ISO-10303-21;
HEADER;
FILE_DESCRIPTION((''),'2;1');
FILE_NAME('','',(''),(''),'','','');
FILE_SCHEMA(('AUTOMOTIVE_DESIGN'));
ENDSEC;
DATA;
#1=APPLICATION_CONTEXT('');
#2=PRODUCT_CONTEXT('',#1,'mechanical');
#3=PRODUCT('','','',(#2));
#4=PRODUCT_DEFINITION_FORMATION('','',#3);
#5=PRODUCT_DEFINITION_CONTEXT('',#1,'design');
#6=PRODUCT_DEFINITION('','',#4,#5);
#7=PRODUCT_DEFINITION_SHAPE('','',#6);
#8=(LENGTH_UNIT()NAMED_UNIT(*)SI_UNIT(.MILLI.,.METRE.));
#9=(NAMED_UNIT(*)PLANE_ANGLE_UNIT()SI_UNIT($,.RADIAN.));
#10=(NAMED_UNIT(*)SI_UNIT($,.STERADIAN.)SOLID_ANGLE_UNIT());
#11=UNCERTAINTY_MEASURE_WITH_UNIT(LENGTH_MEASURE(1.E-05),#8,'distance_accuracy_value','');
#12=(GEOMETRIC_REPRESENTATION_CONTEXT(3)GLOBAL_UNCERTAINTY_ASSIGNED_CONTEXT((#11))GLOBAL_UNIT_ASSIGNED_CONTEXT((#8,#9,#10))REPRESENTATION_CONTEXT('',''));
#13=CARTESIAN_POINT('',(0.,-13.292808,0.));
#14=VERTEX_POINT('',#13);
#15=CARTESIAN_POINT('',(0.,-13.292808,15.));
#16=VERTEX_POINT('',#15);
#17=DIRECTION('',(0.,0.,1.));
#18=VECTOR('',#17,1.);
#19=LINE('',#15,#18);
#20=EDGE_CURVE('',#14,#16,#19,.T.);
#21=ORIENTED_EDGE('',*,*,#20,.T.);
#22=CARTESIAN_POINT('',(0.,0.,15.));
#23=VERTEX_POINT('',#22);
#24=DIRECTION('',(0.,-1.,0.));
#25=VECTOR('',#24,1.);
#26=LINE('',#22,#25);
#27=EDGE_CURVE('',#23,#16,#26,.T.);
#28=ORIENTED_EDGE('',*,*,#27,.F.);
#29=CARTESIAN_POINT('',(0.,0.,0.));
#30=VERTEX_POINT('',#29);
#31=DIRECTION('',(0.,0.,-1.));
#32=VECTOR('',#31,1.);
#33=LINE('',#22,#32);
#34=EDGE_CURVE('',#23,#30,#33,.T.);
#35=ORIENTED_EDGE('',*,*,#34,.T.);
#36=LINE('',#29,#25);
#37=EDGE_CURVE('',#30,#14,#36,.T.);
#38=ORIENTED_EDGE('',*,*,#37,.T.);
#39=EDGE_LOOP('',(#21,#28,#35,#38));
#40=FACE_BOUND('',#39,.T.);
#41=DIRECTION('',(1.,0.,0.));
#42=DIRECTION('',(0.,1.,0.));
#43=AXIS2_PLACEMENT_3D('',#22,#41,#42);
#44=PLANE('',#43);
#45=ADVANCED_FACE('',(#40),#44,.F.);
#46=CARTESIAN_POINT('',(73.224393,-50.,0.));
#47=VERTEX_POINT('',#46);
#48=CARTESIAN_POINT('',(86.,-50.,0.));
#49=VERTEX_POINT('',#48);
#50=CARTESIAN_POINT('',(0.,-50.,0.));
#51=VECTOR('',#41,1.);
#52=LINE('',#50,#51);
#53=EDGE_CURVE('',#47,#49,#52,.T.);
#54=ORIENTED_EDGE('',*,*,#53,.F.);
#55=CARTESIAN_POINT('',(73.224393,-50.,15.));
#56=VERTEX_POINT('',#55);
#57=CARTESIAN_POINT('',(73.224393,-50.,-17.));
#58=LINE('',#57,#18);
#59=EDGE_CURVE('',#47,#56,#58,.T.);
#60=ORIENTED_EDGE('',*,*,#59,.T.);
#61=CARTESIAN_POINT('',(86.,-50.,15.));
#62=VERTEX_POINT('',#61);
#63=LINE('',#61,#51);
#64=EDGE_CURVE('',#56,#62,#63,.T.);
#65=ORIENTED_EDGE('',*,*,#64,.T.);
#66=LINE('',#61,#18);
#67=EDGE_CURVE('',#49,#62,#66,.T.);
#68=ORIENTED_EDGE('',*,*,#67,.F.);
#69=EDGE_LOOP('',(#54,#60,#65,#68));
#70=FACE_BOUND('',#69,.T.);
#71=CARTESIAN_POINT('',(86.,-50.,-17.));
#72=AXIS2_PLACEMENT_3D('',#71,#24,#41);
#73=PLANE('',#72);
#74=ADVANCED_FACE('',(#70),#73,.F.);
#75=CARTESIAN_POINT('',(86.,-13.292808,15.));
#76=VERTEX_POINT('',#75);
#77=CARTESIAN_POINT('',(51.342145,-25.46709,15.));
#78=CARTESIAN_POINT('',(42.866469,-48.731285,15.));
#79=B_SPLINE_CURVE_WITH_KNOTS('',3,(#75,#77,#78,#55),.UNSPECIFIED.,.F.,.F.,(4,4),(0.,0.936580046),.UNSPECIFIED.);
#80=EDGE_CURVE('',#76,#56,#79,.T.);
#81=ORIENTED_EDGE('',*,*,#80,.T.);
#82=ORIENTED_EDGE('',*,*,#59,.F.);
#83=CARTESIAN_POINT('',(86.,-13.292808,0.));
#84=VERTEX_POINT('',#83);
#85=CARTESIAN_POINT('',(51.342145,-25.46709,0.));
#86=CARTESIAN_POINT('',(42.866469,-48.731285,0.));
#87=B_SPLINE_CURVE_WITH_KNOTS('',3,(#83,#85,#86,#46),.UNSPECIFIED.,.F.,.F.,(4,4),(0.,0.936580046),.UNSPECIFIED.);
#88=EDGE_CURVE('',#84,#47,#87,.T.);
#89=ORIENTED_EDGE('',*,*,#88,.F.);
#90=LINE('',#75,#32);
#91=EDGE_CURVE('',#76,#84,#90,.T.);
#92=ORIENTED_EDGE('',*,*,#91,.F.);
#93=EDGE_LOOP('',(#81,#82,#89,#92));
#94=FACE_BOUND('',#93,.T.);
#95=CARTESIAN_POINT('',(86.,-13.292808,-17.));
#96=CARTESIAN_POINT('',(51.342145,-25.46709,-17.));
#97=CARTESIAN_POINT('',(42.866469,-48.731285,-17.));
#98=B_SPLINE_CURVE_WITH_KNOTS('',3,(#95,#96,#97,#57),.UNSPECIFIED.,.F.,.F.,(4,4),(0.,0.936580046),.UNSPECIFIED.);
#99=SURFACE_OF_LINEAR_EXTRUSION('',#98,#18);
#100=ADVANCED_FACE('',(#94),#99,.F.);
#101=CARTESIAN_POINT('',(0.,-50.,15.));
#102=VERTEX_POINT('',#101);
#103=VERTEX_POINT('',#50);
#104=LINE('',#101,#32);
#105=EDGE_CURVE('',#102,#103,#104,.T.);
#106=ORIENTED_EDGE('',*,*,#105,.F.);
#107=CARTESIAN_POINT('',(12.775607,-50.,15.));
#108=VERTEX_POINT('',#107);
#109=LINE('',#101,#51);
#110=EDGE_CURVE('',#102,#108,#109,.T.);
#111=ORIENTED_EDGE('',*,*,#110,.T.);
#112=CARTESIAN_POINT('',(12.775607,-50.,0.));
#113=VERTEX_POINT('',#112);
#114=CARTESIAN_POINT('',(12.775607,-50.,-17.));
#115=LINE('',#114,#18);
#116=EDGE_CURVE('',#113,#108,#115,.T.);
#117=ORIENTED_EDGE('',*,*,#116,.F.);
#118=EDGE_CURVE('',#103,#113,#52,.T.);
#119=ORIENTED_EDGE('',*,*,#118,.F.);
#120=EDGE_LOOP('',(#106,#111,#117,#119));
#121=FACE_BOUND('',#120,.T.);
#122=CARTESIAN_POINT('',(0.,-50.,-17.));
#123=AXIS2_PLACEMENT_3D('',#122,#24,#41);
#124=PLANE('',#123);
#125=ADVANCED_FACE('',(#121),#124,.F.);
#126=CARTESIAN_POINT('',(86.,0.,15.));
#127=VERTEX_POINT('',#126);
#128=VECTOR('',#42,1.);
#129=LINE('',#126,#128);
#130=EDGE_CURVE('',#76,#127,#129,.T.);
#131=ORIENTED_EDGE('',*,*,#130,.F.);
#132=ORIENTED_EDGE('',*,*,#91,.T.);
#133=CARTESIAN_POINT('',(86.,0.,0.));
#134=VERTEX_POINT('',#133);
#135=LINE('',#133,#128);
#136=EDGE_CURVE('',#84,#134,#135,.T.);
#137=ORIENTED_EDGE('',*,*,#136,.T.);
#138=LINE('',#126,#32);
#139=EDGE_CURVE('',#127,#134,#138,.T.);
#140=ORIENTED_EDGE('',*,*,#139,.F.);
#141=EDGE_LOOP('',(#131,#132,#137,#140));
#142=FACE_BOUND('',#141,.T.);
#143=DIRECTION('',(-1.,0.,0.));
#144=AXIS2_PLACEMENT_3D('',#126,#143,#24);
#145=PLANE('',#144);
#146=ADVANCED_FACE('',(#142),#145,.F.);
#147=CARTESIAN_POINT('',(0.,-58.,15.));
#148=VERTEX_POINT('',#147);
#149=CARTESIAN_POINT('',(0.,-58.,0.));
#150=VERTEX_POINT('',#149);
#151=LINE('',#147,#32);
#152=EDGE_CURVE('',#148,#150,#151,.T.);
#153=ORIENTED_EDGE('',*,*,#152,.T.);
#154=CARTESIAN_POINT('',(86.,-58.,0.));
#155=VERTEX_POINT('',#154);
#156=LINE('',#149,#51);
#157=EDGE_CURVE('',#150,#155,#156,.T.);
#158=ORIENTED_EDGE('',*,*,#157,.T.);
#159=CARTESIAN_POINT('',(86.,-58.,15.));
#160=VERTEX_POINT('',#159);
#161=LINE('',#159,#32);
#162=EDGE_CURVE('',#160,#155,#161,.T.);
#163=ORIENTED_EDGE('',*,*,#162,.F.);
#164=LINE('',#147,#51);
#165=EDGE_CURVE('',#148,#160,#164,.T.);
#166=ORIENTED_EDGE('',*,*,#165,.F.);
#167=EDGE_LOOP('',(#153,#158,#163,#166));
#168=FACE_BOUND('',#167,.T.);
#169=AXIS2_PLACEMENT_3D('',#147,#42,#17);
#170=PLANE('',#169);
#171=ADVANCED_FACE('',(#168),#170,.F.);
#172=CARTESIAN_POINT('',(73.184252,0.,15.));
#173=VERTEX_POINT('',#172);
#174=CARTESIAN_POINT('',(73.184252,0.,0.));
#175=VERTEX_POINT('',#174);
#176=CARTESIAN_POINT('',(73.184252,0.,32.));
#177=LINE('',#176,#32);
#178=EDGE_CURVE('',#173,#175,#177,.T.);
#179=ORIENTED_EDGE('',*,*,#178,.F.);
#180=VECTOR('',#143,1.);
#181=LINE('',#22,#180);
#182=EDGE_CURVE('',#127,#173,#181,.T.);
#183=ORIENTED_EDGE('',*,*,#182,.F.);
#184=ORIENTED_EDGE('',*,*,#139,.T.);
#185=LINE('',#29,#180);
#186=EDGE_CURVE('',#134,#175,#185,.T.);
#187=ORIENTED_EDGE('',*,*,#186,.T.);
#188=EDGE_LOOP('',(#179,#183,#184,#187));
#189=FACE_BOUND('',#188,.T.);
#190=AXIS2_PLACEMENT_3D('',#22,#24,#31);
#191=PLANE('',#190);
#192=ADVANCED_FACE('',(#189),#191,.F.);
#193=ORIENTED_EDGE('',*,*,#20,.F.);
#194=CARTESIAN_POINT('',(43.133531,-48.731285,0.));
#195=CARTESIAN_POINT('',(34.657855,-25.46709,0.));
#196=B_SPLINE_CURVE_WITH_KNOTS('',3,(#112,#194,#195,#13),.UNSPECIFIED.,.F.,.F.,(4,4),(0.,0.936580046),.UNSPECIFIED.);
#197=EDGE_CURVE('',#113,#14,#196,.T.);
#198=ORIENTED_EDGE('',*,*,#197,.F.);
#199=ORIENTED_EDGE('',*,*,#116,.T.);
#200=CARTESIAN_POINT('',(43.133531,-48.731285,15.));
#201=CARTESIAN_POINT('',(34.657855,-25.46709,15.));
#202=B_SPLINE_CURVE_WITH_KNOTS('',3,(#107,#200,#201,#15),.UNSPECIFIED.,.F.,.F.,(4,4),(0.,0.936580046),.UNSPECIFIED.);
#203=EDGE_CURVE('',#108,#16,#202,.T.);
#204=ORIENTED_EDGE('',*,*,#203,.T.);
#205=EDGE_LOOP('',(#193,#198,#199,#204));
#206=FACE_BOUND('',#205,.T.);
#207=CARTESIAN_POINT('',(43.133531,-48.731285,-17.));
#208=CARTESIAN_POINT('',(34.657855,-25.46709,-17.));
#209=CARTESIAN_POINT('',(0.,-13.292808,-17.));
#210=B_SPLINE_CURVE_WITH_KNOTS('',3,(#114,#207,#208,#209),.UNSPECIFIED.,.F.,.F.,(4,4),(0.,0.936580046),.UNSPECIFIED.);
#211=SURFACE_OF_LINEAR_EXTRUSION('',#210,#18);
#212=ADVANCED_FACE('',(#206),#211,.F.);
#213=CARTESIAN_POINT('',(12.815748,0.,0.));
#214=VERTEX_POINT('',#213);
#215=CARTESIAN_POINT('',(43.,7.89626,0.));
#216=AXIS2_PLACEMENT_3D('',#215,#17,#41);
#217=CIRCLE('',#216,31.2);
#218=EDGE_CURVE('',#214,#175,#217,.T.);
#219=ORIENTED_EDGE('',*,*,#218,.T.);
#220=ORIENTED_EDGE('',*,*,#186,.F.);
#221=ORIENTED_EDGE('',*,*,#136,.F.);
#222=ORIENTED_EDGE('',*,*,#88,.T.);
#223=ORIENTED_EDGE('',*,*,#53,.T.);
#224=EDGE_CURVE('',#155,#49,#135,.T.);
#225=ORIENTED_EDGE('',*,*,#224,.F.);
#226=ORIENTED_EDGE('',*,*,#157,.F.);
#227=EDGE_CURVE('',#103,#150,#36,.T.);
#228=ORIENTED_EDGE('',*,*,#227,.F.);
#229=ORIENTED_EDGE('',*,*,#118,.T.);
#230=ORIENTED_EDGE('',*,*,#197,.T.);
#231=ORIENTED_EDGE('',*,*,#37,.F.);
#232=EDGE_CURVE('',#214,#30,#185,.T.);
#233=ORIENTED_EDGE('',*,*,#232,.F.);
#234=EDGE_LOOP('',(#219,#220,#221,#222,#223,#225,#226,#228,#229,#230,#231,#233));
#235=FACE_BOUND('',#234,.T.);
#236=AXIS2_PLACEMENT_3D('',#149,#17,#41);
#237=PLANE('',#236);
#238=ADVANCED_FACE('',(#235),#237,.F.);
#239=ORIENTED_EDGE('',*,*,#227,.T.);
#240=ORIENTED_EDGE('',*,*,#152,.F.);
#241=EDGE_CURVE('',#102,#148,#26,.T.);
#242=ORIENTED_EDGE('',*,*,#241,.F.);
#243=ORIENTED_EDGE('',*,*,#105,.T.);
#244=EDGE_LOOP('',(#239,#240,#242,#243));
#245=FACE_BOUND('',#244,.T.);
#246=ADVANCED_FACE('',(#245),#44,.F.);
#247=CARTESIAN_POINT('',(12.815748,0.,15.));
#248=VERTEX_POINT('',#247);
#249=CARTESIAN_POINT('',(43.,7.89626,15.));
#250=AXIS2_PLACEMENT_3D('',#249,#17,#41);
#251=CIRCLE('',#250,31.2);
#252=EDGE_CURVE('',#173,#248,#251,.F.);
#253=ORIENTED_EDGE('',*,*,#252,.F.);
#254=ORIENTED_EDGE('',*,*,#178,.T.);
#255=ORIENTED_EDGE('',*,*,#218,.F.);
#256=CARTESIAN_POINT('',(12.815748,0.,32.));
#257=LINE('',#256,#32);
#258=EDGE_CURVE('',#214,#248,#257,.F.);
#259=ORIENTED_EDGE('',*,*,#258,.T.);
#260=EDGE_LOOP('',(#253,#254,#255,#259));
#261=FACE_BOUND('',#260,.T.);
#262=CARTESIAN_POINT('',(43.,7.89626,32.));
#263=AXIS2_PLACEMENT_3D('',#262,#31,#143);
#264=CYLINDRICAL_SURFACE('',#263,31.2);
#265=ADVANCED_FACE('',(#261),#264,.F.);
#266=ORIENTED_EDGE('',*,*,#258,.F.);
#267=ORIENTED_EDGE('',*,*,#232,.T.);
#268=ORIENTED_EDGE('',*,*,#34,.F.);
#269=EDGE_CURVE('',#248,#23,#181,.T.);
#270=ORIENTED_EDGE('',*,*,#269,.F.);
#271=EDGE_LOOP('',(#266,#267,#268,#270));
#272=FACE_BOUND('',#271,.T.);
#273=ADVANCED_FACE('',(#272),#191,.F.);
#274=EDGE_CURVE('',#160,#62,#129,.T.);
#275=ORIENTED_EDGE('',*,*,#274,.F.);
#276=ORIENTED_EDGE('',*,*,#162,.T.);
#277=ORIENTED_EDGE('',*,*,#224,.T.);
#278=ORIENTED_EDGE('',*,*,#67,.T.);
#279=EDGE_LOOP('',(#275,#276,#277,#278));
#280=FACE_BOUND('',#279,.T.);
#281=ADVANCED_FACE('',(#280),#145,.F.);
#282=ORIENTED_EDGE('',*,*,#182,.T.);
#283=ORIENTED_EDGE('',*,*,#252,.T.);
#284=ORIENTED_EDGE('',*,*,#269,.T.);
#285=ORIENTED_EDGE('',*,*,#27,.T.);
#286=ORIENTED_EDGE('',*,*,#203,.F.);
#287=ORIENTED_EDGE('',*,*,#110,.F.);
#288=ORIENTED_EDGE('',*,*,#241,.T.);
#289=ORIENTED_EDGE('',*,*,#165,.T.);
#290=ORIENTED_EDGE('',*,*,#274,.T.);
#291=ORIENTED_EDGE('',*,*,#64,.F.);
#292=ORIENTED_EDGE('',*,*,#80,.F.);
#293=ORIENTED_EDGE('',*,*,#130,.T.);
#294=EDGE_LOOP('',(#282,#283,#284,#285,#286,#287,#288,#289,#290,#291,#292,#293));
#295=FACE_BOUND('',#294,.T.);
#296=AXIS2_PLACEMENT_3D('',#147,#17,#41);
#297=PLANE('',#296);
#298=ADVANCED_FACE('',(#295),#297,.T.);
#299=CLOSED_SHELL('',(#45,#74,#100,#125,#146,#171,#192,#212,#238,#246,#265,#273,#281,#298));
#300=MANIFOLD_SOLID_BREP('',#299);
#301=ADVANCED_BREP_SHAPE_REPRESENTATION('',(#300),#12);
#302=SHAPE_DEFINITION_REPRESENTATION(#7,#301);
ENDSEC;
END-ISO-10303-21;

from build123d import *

# Parameters (mm, degrees)
SKETCH_1_W          = 86
SKETCH_1_H          = 58
EXTRUDE_1_DEPTH     = 15
SKETCH_3_R          = 31.2
CUT_EXTRUDE_1_DEPTH = 32
CUT_EXTRUDE_2_DEPTH = 32


with BuildPart() as part:
    # Эскиз1 → Вытянуть1 (new body)
    with BuildSketch(Plane.XY):
        with Locations((43, -29)):
            Rectangle(SKETCH_1_W, SKETCH_1_H)
    extrude(amount=EXTRUDE_1_DEPTH)

    # Эскиз3 → Вырез-Вытянуть1 (cut)
    with BuildSketch(Plane.XY):
        with Locations((43, 7.896260015)):
            Circle(SKETCH_3_R)
    extrude(amount=CUT_EXTRUDE_1_DEPTH, mode=Mode.SUBTRACT)

    # Эскиз6 → Вытянуть2 (cut)
    with BuildSketch(Plane.XY.offset(15)):
        with BuildLine():
            Line((0, -50), (12.775606869, -50))
            add(Edge.make_bspline(
                [(0, -13.292808008), (34.657854921, -25.467090291), (43.133531195, -48.731284944), (12.775606869, -50)],
                knots=[0, 0, 0, 0, 0.936580046, 0.936580046, 0.936580046, 0.936580046], degree=3))
            Line((0, -13.292808008), (-6.736902967, -13.292808008))
            Line((-6.736902967, -13.292808008), (-6.736902967, -50))
            Line((-6.736902967, -50), (0, -50))
        make_face()
        with BuildLine():
            Line((86, -50), (73.224393131, -50))
            add(Edge.make_bspline(
                [(86, -13.292808008), (51.342145079, -25.467090291), (42.866468805, -48.731284944), (73.224393131, -50)],
                knots=[0, 0, 0, 0, 0.936580046, 0.936580046, 0.936580046, 0.936580046], degree=3))
            Line((86, -13.292808008), (92.736902967, -13.292808008))
            Line((92.736902967, -13.292808008), (92.736902967, -50))
            Line((92.736902967, -50), (86, -50))
        make_face()
    extrude(amount=-CUT_EXTRUDE_2_DEPTH, mode=Mode.SUBTRACT)


solid = part.part
